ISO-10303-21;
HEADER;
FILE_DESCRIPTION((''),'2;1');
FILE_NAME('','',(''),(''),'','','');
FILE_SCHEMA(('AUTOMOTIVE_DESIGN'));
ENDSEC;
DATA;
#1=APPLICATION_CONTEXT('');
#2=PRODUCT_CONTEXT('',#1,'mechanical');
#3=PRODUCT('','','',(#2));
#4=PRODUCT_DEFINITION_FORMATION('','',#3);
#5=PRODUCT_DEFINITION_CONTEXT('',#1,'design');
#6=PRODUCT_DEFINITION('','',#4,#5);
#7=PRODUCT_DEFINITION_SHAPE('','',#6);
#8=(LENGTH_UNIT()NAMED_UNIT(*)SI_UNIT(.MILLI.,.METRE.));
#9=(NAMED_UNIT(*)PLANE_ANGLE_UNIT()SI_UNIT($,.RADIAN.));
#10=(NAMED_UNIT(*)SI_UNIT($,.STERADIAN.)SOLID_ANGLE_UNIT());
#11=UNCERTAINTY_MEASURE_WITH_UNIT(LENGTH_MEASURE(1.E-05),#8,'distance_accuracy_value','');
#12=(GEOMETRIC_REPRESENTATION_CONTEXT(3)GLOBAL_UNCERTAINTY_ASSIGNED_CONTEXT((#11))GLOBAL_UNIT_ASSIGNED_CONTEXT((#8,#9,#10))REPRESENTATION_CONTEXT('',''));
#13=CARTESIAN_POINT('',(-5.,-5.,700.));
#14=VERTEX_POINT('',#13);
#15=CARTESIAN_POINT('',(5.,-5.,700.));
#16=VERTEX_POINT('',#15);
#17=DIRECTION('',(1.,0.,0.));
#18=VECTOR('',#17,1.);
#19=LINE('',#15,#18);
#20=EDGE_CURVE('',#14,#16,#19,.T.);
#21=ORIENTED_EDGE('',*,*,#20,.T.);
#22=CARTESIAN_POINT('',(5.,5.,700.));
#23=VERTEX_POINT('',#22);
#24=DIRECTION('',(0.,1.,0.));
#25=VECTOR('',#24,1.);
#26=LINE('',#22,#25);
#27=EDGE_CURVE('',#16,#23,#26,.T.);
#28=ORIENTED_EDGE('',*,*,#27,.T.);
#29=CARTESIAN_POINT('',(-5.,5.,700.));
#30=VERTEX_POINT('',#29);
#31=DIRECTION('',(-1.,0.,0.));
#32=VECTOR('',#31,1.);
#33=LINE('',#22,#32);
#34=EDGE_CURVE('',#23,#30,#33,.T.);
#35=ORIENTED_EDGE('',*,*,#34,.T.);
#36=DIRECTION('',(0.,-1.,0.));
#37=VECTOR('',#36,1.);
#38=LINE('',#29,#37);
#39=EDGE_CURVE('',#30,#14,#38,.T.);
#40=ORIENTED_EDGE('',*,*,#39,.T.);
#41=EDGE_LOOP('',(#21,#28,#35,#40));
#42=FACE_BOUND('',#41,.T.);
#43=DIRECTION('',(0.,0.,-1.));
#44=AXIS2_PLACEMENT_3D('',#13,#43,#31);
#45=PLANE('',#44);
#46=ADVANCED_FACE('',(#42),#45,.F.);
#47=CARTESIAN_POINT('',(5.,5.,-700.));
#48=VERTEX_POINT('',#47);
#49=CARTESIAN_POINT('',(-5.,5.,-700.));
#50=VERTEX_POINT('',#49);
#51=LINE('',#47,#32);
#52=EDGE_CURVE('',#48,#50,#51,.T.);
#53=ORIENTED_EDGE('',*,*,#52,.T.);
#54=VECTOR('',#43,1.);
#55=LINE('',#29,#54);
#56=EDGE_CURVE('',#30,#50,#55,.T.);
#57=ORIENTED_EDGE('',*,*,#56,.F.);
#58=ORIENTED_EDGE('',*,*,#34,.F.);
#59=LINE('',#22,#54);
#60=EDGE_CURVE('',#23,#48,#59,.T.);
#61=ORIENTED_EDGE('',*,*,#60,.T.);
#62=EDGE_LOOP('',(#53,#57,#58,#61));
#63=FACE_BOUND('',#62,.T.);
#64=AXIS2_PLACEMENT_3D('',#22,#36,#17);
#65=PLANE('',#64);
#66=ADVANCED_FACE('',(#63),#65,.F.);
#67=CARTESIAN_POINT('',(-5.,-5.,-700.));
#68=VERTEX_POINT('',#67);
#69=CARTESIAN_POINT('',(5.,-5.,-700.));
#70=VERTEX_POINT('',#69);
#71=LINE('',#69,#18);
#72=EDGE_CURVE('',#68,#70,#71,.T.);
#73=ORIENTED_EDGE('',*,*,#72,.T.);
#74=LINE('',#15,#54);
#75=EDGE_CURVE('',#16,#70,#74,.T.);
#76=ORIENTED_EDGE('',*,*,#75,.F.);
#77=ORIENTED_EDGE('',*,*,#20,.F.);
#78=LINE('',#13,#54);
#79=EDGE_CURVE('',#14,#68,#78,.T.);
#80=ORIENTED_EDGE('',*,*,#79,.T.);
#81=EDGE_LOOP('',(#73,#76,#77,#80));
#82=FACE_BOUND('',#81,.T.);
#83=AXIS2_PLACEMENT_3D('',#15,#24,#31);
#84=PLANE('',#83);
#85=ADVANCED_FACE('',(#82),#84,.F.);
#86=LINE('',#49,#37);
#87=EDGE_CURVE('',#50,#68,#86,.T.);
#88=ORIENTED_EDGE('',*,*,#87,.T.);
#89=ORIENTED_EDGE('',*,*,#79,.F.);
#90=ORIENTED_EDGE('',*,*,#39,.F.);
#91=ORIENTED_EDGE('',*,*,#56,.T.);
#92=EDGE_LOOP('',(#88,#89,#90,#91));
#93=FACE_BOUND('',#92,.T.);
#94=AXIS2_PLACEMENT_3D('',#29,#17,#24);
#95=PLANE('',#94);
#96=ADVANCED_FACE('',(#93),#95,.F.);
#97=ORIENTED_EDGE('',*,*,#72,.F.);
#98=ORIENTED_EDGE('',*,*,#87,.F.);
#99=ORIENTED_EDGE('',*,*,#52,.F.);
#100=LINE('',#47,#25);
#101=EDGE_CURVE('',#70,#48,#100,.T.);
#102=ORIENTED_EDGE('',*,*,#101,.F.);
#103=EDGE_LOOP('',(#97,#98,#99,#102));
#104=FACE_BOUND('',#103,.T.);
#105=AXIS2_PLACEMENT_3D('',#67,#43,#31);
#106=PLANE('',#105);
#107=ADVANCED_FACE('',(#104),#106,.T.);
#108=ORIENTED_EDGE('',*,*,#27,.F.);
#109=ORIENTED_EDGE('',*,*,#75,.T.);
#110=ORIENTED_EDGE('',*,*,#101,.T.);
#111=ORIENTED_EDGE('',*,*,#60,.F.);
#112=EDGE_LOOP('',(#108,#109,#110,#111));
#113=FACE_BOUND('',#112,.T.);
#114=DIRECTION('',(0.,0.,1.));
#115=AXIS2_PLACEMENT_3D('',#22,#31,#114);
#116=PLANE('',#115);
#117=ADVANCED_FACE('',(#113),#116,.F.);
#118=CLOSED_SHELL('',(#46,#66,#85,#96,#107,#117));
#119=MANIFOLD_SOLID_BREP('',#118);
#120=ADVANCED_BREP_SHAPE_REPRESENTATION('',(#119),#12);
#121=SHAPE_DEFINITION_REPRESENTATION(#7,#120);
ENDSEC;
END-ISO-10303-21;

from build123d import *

# Parameters (mm, degrees)
ESQUISSE2_W        = 10
ESQUISSE2_H        = 10
BOSS_EXTRU_1_DEPTH = 700


with BuildPart() as part:
    # Esquisse2 → Boss.-Extru.1 (new, symmetric)
    with BuildSketch(Plane.XY):
        Rectangle(ESQUISSE2_W, ESQUISSE2_H)
    extrude(amount=BOSS_EXTRU_1_DEPTH, both=True)


solid = part.part
